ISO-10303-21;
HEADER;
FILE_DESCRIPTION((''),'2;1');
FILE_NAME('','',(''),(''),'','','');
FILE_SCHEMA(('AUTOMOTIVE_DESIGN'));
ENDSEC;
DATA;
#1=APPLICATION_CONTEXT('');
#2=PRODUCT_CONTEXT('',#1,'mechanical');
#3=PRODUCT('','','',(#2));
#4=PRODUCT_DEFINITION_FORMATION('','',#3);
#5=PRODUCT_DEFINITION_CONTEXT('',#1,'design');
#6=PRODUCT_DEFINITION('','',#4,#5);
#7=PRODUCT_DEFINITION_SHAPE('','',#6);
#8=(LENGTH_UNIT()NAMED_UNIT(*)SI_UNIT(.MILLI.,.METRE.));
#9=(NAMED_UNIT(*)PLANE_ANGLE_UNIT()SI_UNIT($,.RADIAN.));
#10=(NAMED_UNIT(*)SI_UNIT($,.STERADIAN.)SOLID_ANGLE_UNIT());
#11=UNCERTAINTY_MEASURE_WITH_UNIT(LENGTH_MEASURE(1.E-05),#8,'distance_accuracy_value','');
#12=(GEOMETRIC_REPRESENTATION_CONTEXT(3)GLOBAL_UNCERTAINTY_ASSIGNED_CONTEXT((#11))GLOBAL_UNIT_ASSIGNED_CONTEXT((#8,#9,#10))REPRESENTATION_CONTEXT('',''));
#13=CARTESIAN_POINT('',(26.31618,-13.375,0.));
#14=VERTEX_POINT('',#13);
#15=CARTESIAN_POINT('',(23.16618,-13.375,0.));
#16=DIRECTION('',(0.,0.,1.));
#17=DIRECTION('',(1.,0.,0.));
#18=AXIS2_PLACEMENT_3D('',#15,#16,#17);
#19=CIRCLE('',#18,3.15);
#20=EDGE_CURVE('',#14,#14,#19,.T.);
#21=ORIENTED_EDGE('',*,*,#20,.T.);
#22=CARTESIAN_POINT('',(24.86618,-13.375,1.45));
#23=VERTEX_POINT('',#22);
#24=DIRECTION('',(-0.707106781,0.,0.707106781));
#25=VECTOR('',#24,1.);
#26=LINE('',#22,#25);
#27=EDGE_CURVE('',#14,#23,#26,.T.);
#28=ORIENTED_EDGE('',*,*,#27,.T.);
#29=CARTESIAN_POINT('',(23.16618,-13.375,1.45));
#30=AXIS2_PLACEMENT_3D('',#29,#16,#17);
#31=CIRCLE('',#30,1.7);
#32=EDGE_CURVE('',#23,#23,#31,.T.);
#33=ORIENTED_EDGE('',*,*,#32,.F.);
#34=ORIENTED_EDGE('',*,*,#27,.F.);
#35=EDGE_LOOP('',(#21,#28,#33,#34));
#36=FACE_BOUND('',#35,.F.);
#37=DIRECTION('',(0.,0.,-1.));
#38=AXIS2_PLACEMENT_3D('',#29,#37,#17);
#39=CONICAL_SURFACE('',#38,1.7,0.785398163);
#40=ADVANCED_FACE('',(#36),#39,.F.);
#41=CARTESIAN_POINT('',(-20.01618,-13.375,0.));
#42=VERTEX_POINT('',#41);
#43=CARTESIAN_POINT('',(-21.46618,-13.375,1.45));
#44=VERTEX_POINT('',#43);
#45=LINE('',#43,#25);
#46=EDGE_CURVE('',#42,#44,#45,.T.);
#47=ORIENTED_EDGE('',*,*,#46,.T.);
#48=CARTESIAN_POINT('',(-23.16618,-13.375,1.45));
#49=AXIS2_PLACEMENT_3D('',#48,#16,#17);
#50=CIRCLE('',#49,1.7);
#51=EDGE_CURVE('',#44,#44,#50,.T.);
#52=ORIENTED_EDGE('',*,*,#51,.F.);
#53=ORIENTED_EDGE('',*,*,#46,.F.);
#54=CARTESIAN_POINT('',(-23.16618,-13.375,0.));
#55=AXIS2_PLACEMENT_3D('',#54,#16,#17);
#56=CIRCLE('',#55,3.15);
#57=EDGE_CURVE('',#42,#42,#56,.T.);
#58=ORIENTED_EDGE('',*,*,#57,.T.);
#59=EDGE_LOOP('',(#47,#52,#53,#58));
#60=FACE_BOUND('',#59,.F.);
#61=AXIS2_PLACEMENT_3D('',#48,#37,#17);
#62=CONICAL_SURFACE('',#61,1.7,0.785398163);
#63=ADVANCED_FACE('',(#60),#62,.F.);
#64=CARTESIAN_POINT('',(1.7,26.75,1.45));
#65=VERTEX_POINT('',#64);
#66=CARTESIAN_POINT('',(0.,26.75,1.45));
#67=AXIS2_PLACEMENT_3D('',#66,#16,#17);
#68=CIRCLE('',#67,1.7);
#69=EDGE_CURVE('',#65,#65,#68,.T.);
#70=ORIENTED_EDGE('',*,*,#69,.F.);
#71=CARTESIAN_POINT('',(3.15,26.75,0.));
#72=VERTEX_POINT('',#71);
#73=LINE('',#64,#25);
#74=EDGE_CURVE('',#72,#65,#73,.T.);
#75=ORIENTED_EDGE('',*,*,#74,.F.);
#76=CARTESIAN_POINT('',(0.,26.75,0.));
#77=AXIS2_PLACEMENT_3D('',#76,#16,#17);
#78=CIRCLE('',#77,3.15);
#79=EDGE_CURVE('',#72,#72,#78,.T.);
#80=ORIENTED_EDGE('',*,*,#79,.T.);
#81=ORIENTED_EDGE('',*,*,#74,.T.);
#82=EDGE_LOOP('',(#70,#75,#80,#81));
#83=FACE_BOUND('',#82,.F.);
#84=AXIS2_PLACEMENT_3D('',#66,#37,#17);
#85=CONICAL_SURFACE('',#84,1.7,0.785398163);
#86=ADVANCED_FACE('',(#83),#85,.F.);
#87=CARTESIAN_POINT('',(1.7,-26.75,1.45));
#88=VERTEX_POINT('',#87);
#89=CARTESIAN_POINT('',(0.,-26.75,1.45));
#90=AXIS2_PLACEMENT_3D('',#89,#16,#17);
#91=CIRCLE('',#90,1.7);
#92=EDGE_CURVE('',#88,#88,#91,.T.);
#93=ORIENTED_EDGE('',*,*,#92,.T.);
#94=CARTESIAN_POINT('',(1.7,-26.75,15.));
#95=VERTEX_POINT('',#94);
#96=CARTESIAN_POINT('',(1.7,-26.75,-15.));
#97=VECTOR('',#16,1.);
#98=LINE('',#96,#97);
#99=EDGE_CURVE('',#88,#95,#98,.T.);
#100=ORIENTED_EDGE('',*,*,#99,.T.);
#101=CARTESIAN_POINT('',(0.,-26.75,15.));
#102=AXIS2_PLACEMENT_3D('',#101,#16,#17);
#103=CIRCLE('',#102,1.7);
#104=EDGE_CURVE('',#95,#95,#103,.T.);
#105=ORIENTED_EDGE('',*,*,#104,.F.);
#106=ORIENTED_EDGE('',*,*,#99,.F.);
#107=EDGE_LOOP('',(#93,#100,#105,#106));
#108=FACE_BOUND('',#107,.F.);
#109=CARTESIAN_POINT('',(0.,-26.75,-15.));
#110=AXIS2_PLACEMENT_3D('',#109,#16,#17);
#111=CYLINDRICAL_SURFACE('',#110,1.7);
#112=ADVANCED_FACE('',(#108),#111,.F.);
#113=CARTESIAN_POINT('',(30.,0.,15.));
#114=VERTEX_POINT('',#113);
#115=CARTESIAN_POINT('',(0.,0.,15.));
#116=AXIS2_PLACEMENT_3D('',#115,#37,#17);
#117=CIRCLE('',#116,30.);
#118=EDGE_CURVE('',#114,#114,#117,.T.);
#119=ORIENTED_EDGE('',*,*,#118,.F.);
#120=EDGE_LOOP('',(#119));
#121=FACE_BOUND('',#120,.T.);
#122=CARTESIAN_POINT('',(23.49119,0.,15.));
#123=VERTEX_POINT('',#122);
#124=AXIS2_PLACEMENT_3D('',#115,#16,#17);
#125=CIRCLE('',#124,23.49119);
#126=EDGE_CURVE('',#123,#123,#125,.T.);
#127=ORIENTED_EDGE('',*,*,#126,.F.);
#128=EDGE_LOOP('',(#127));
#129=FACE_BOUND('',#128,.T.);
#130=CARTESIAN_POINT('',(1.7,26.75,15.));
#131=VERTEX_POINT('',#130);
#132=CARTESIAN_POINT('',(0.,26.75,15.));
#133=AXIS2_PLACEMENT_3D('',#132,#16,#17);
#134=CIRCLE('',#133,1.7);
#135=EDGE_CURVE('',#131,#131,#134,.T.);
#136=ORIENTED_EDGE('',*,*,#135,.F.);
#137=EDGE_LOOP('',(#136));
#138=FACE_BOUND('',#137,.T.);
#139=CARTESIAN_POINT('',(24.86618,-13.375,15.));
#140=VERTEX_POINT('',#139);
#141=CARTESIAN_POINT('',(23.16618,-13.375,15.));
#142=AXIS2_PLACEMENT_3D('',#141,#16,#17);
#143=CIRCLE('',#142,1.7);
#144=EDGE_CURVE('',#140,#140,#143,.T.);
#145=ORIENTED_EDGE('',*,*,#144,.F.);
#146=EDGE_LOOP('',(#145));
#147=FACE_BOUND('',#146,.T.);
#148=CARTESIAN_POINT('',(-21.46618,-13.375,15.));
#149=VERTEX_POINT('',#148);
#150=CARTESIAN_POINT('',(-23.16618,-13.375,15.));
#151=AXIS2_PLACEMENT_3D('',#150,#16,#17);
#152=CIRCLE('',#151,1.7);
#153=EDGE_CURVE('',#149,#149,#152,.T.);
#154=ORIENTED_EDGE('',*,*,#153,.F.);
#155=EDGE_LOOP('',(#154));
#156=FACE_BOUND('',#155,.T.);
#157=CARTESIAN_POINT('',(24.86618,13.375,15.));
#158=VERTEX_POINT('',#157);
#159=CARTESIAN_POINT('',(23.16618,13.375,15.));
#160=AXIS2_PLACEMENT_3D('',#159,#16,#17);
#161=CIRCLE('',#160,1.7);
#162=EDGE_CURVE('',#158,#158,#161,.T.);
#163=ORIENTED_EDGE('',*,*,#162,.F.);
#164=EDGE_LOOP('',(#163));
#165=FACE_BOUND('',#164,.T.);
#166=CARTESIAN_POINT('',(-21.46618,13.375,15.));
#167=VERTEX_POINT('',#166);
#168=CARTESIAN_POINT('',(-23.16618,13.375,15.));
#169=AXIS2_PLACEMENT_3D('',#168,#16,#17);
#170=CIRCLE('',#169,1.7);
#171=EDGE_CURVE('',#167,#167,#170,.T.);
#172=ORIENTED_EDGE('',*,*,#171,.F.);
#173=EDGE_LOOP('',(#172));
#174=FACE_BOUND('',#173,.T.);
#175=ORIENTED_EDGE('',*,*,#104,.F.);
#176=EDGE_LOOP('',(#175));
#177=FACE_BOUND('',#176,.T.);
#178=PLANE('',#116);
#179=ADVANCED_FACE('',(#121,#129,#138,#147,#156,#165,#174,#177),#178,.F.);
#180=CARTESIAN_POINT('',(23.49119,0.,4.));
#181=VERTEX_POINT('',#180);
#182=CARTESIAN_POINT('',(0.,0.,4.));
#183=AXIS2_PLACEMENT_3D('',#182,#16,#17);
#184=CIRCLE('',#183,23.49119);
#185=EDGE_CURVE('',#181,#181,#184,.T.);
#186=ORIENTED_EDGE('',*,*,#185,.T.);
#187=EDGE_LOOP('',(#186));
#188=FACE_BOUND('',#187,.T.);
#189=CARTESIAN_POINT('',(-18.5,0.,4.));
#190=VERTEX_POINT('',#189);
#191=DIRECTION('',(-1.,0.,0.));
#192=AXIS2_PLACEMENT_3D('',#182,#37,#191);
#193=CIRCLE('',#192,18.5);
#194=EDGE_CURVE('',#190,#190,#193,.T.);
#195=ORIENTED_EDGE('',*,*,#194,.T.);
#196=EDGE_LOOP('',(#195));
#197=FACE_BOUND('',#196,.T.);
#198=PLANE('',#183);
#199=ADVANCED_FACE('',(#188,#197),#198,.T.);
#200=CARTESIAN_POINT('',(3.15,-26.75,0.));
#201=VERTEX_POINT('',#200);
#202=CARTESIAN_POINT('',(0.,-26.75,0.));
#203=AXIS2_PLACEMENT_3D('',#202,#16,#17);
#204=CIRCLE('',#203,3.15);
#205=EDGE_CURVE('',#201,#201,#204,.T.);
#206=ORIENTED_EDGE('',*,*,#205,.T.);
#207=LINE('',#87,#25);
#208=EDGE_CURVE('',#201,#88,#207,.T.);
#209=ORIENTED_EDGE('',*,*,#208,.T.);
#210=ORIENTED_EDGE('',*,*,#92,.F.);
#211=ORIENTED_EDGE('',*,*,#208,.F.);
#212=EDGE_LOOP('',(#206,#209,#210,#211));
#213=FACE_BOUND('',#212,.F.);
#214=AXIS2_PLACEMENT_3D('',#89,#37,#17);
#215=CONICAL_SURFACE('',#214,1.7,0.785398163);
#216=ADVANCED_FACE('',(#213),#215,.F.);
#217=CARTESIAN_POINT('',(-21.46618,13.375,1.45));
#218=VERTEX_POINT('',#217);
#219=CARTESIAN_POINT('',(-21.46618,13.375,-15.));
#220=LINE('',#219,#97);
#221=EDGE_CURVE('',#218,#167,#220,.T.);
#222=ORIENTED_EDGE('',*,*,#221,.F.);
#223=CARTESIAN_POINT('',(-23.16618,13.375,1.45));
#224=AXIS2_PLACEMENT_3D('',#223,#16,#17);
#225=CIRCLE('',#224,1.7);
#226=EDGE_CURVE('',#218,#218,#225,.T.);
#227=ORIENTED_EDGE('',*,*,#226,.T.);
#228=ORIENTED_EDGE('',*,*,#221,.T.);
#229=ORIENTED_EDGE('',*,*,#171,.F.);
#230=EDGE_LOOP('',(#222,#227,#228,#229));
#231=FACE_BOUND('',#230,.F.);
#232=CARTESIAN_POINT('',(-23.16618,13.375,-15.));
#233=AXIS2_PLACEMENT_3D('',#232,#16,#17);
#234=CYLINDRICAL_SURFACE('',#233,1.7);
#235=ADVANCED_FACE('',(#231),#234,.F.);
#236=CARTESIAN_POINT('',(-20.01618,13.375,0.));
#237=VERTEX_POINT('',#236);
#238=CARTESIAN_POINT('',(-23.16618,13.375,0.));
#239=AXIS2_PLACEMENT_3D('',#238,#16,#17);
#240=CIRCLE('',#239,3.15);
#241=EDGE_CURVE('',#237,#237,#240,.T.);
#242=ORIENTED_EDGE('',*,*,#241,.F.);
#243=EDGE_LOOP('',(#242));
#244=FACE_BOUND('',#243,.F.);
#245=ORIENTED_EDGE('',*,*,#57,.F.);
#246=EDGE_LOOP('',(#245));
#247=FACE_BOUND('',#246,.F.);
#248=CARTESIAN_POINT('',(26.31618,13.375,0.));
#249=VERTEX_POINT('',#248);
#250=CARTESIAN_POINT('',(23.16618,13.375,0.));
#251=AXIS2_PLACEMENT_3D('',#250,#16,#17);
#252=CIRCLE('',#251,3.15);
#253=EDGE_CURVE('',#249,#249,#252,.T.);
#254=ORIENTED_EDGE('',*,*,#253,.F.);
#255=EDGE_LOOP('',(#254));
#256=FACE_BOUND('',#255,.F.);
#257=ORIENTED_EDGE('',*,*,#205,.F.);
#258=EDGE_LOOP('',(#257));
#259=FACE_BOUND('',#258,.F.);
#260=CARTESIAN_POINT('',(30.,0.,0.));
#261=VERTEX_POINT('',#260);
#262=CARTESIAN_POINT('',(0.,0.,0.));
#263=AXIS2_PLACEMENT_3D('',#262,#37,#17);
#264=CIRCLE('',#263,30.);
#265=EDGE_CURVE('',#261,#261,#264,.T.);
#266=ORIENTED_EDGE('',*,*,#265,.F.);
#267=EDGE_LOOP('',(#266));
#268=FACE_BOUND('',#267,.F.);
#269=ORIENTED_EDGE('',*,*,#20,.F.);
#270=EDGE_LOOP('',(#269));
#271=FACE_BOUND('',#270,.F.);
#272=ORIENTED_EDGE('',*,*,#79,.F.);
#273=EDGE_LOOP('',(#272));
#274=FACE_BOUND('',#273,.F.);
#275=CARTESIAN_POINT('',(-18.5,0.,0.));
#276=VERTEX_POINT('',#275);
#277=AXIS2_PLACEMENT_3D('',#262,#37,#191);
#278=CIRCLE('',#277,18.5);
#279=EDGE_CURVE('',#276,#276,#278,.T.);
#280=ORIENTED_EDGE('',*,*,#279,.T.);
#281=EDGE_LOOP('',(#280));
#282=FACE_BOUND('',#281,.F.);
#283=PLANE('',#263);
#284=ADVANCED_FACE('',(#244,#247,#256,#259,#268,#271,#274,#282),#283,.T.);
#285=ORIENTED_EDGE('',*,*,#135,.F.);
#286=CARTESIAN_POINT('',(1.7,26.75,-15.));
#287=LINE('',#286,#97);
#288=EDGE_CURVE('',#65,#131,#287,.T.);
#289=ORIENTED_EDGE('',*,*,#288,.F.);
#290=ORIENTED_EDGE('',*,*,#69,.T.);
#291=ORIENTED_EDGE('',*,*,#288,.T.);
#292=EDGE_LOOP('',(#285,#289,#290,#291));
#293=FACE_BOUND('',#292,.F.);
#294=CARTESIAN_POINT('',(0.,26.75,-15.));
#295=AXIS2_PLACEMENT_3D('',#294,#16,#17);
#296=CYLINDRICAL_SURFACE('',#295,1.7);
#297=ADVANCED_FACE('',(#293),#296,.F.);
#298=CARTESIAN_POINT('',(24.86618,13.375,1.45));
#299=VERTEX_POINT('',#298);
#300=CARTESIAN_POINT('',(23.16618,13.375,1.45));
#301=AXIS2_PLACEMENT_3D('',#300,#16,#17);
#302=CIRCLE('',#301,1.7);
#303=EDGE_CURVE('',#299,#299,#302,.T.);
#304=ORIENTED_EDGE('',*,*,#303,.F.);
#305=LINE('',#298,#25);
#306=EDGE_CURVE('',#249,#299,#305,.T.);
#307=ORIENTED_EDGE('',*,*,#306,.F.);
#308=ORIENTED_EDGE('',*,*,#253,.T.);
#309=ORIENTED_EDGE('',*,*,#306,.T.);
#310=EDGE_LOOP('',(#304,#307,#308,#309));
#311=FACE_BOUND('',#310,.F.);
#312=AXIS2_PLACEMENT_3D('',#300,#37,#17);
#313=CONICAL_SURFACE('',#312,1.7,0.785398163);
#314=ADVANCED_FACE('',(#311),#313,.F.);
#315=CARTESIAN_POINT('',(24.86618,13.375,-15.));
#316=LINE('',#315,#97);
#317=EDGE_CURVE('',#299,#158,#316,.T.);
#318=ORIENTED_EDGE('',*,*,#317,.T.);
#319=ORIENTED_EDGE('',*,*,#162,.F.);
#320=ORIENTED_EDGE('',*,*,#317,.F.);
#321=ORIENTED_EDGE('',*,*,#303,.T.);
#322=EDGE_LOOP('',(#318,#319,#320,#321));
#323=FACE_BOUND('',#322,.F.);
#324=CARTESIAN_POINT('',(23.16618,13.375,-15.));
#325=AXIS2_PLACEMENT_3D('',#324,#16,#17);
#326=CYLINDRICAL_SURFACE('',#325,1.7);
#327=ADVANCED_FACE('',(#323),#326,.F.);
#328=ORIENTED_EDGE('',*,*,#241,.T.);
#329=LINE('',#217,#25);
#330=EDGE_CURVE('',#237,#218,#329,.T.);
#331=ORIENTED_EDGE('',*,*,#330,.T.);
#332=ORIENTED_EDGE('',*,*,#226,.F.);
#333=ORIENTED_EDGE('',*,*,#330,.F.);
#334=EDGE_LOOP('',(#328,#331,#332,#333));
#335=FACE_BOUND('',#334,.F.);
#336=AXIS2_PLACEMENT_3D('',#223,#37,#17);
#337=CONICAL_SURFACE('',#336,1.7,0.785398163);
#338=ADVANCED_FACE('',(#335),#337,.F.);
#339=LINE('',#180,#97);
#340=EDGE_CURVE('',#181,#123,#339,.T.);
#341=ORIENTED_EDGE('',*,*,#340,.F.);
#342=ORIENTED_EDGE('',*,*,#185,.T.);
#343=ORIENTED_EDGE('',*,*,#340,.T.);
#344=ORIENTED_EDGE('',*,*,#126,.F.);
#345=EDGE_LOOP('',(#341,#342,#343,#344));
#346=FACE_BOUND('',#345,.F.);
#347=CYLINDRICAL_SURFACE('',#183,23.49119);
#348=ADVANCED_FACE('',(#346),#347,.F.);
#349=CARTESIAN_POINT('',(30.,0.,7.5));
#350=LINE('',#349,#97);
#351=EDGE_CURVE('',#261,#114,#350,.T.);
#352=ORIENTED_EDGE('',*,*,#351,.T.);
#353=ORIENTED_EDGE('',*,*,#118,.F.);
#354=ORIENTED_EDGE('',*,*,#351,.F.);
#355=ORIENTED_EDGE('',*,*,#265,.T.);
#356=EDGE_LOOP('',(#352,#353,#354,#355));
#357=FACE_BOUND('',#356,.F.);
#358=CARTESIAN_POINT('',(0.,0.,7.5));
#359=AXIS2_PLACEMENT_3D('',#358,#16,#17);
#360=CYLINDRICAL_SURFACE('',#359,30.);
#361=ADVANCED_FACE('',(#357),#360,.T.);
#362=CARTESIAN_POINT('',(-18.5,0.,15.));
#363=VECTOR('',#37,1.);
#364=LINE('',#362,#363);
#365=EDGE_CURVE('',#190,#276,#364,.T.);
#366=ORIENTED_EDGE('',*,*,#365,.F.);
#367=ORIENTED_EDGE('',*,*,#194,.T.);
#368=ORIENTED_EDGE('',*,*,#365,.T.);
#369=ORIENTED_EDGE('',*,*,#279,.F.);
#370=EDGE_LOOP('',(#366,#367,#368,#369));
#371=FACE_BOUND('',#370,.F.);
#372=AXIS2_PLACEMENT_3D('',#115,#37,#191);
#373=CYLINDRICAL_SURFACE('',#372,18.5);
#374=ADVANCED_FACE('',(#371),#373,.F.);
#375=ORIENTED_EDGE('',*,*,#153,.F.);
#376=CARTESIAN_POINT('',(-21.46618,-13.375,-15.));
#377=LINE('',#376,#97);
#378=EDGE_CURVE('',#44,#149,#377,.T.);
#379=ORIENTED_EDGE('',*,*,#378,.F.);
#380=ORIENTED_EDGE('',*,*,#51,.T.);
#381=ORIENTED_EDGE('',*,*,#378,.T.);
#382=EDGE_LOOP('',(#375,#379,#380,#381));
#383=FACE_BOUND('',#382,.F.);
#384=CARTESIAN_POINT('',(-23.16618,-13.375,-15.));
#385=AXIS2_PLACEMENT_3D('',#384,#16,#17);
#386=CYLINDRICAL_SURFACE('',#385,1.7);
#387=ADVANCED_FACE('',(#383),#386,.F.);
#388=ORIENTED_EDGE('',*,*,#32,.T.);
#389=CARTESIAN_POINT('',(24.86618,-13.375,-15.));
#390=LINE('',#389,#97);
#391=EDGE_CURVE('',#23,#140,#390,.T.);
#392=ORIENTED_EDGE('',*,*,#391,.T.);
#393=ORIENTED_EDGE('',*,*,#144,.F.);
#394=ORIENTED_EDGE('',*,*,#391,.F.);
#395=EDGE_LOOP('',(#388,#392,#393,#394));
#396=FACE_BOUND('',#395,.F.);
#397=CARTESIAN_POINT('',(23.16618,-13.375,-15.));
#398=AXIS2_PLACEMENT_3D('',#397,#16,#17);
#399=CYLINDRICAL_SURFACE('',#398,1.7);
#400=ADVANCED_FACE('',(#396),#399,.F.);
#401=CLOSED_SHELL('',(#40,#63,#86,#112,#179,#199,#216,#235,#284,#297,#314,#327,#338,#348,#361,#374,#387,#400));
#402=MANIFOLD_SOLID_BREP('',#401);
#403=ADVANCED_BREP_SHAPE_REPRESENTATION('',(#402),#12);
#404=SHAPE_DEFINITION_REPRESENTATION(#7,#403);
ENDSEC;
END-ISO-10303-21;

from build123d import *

# Parameters (mm, degrees)
SKETCH1_W                 = 30
SKETCH1_H                 = 15
F_4_CLEARANCE_HOLE1_D     = 3.4
F_4_CLEARANCE_HOLE1_DEPTH = 15
HOLE1_D                   = 37
HOLE1_DEPTH               = 15
HOLE1_CBORE_D             = 46.98238
HOLE1_CBORE_DEPTH         = 11
CHAMFER1_SIZE             = 1.45


with BuildPart() as part:
    # Sketch1 → Revolve1 (revolve)
    with BuildSketch(Plane.XZ):
        with Locations((15, 7.5)):
            Rectangle(SKETCH1_W, SKETCH1_H)
    revolve(axis=Axis((0, 0, 15), (0, 0, -1)))

    # #4 Clearance Hole1
    with Locations(Plane(origin=(0, 0, 0), x_dir=(-1, 0, 0), z_dir=(0, 0, -1))):
        with Locations((-23.166179551, -13.375), (-23.166179551, 13.375), (0, 26.75), (23.166179551, -13.375), (0, -26.75), (23.166179551, 13.375)):
            Hole(F_4_CLEARANCE_HOLE1_D / 2, depth=F_4_CLEARANCE_HOLE1_DEPTH)

    # Hole1
    with Locations(Plane.XY.offset(15)):
        with Locations((0, 0)):
            CounterBoreHole(HOLE1_D / 2, HOLE1_CBORE_D / 2, HOLE1_CBORE_DEPTH, depth=HOLE1_DEPTH)

    # Chamfer1
    chamfer1_edges = [part.edges().sort_by_distance(p)[0] for p in [
        (-24.866179551, 13.375, 0),
        (-1.7, -26.75, 0),
        (-24.866179551, -13.375, 0),
        (-1.7, 26.75, 0),
        (21.466179551, 13.375, 0),
        (21.466179551, -13.375, 0),
    ]]
    chamfer(chamfer1_edges, length=CHAMFER1_SIZE)


solid = part.part
